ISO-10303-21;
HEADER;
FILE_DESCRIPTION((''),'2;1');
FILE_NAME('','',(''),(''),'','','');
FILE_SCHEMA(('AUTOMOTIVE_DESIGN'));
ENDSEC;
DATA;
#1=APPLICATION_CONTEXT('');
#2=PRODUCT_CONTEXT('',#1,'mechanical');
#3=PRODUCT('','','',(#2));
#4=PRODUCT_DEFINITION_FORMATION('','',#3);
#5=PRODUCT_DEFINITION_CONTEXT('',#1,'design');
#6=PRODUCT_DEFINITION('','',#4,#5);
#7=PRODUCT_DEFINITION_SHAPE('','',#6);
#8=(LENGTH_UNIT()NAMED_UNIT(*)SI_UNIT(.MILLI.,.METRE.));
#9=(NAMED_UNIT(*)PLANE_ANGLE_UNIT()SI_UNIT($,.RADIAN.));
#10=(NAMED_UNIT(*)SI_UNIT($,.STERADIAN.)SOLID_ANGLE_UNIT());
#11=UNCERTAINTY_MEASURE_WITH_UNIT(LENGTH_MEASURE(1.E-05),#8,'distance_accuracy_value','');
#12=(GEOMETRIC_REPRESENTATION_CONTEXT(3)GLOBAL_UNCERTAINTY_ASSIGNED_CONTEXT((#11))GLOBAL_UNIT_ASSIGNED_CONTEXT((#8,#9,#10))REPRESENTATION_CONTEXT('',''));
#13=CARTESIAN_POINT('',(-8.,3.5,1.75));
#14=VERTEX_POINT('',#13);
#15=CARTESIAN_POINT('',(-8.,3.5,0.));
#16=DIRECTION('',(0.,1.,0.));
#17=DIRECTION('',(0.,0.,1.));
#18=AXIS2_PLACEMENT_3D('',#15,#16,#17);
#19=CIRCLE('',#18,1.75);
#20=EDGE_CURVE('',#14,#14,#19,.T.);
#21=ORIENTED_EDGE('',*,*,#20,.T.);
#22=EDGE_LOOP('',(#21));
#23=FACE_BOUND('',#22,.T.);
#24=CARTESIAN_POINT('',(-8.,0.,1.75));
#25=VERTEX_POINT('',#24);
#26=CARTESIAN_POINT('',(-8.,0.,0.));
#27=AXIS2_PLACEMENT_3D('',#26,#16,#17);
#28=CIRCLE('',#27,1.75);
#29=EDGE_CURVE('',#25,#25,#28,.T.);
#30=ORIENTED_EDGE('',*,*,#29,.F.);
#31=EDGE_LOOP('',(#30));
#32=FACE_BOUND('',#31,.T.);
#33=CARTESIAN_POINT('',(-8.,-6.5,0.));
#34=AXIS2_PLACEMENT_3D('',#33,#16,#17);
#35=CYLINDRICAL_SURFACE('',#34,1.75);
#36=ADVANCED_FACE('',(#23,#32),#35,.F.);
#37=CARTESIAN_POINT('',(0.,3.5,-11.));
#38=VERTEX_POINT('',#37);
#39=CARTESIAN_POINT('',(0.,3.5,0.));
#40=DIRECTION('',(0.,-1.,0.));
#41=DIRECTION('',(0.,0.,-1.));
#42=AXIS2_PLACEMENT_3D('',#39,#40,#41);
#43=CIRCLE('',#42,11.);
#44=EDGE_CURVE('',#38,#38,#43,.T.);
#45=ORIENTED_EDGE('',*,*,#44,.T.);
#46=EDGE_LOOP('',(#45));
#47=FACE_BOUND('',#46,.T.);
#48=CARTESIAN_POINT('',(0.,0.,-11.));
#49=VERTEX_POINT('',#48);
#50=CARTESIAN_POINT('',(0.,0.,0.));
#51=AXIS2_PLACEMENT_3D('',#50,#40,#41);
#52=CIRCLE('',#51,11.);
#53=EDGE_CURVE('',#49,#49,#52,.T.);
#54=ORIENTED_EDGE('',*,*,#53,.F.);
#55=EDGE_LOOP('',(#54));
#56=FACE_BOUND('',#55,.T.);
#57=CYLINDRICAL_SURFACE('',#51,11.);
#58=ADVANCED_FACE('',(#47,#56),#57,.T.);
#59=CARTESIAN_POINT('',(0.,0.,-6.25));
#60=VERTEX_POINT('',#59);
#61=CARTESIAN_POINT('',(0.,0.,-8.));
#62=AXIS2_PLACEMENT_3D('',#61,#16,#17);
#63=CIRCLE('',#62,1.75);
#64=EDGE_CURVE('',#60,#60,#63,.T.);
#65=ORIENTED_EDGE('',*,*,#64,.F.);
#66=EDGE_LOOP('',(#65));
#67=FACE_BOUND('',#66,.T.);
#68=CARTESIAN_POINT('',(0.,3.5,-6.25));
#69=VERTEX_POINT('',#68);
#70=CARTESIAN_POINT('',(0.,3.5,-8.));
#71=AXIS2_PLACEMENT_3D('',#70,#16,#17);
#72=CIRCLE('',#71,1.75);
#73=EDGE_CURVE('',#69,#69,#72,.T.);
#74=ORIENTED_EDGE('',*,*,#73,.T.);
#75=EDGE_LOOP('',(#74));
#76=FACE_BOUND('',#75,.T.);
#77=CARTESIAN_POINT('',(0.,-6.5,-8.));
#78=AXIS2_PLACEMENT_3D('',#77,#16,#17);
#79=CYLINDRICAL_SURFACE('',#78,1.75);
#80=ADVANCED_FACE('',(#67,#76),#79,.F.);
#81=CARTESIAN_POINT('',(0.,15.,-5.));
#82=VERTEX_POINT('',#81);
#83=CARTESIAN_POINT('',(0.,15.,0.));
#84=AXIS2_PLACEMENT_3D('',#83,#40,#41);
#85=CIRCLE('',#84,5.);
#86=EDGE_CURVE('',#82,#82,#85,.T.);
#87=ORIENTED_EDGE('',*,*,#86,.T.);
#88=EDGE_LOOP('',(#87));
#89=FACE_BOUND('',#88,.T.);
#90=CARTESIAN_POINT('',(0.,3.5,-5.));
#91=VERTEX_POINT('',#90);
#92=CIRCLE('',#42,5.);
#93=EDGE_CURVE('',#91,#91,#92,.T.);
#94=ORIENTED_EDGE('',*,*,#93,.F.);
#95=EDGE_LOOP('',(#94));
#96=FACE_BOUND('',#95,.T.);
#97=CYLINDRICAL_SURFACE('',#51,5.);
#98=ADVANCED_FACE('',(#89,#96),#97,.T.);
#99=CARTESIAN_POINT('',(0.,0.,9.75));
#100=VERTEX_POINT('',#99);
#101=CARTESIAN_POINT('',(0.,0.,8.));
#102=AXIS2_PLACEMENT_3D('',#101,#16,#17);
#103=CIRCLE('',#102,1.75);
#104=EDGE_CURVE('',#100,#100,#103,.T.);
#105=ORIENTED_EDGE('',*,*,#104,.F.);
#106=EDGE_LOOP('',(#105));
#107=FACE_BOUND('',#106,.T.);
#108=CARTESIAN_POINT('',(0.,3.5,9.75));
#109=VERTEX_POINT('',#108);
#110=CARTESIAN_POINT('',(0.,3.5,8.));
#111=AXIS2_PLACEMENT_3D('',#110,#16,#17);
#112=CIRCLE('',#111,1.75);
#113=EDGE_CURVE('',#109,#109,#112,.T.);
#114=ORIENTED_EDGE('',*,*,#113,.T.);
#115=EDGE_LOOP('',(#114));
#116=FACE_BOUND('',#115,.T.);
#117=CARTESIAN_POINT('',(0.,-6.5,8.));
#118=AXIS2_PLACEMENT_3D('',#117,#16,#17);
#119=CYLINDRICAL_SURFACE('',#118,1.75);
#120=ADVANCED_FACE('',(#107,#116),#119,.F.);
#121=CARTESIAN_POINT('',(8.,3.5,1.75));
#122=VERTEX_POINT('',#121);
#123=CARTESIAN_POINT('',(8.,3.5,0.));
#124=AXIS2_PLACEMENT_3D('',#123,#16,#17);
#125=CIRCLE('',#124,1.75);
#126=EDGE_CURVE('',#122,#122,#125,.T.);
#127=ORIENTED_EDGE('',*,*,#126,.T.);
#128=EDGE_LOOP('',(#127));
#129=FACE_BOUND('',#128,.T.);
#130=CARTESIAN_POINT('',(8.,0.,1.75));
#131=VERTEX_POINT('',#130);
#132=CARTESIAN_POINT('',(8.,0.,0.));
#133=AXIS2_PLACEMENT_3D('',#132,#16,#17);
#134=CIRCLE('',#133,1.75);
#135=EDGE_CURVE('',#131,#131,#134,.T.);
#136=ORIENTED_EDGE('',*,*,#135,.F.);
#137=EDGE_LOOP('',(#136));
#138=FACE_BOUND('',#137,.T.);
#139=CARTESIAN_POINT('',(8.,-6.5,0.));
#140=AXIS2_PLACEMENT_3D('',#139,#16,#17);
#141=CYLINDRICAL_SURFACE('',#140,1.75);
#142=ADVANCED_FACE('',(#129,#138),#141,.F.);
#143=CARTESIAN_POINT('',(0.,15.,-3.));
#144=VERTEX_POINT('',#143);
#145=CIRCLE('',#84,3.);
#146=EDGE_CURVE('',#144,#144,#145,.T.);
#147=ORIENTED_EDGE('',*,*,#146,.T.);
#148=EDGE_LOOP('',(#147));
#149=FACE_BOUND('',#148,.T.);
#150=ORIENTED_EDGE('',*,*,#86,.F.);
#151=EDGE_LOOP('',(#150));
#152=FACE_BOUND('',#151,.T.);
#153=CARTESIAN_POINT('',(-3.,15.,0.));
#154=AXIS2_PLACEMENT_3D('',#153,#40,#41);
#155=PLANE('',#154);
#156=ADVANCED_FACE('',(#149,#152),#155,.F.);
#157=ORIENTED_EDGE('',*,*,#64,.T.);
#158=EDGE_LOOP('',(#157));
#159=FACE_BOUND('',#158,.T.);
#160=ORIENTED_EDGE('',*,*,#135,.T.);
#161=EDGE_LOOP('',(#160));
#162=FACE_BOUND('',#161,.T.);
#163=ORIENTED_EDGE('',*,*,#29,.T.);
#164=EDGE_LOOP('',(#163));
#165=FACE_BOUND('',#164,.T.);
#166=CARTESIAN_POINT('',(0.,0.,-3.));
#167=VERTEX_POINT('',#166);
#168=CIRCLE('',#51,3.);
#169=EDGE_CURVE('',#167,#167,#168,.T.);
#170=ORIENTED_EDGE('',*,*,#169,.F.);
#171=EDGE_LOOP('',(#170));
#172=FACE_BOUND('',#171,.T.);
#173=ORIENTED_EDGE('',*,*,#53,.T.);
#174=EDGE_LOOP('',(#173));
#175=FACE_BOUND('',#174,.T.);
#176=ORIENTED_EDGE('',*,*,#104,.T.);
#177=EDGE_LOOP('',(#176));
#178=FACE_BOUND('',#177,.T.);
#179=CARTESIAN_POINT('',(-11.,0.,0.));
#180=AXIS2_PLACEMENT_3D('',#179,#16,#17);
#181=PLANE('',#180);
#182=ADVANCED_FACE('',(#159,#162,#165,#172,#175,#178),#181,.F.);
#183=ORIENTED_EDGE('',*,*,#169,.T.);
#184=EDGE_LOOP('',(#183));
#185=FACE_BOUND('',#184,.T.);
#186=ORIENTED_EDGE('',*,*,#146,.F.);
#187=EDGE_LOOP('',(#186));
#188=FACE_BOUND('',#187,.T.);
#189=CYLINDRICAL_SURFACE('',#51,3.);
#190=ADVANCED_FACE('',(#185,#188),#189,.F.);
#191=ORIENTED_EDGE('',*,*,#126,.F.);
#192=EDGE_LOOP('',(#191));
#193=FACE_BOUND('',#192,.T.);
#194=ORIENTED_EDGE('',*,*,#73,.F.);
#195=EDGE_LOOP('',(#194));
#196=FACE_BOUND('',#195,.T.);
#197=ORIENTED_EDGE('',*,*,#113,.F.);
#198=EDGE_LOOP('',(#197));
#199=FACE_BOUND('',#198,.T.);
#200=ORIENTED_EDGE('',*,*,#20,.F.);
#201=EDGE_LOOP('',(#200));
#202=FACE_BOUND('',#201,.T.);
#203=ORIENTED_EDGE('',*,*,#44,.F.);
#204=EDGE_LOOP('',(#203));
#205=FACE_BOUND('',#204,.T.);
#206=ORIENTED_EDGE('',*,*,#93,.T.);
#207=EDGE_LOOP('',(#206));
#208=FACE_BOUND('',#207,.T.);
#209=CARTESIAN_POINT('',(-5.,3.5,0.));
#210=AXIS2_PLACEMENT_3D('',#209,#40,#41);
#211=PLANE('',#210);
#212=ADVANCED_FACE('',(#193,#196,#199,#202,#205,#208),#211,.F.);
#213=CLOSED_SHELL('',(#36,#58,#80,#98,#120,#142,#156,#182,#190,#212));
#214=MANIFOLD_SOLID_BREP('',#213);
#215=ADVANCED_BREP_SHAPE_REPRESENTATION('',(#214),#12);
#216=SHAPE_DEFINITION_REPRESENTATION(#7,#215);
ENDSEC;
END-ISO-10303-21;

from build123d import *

# Parameters (mm, degrees)
SKETCH2_R          = 1.75
CUT_EXTRUDE1_DEPTH = 10


with BuildPart() as part:
    # Sketch1 → Revolve1 (revolve)
    with BuildSketch(Plane.XY, mode=Mode.PRIVATE) as revolve1_sk:
        Polygon((-5, 15), (-5, 3.5), (-11, 3.5), (-11, 0), (-3, 0), (-3, 15), align=None)
    revolve(revolve1_sk.sketch.rotate(Axis((0, 0, 0), (0, 1, 0)), 270), axis=Axis((0, 0, 0), (0, 1, 0)))

    # Sketch2 → Cut-Extrude1 (cut)
    with BuildSketch(Plane(origin=(0, 3.5, 0), x_dir=(1, 0, 0), z_dir=(0, 1, 0))):
        with Locations(Location((0, 8, 0), (0, 0, 270))):
            Circle(SKETCH2_R)
        with Locations(Location((8, 0, 0), (0, 0, 270))):
            Circle(SKETCH2_R)
        with Locations(Location((0, -8, 0), (0, 0, 270))):
            Circle(SKETCH2_R)
        with Locations(Location((-8, 0, 0), (0, 0, 270))):
            Circle(SKETCH2_R)
    extrude(amount=-CUT_EXTRUDE1_DEPTH, mode=Mode.SUBTRACT)


solid = part.part
